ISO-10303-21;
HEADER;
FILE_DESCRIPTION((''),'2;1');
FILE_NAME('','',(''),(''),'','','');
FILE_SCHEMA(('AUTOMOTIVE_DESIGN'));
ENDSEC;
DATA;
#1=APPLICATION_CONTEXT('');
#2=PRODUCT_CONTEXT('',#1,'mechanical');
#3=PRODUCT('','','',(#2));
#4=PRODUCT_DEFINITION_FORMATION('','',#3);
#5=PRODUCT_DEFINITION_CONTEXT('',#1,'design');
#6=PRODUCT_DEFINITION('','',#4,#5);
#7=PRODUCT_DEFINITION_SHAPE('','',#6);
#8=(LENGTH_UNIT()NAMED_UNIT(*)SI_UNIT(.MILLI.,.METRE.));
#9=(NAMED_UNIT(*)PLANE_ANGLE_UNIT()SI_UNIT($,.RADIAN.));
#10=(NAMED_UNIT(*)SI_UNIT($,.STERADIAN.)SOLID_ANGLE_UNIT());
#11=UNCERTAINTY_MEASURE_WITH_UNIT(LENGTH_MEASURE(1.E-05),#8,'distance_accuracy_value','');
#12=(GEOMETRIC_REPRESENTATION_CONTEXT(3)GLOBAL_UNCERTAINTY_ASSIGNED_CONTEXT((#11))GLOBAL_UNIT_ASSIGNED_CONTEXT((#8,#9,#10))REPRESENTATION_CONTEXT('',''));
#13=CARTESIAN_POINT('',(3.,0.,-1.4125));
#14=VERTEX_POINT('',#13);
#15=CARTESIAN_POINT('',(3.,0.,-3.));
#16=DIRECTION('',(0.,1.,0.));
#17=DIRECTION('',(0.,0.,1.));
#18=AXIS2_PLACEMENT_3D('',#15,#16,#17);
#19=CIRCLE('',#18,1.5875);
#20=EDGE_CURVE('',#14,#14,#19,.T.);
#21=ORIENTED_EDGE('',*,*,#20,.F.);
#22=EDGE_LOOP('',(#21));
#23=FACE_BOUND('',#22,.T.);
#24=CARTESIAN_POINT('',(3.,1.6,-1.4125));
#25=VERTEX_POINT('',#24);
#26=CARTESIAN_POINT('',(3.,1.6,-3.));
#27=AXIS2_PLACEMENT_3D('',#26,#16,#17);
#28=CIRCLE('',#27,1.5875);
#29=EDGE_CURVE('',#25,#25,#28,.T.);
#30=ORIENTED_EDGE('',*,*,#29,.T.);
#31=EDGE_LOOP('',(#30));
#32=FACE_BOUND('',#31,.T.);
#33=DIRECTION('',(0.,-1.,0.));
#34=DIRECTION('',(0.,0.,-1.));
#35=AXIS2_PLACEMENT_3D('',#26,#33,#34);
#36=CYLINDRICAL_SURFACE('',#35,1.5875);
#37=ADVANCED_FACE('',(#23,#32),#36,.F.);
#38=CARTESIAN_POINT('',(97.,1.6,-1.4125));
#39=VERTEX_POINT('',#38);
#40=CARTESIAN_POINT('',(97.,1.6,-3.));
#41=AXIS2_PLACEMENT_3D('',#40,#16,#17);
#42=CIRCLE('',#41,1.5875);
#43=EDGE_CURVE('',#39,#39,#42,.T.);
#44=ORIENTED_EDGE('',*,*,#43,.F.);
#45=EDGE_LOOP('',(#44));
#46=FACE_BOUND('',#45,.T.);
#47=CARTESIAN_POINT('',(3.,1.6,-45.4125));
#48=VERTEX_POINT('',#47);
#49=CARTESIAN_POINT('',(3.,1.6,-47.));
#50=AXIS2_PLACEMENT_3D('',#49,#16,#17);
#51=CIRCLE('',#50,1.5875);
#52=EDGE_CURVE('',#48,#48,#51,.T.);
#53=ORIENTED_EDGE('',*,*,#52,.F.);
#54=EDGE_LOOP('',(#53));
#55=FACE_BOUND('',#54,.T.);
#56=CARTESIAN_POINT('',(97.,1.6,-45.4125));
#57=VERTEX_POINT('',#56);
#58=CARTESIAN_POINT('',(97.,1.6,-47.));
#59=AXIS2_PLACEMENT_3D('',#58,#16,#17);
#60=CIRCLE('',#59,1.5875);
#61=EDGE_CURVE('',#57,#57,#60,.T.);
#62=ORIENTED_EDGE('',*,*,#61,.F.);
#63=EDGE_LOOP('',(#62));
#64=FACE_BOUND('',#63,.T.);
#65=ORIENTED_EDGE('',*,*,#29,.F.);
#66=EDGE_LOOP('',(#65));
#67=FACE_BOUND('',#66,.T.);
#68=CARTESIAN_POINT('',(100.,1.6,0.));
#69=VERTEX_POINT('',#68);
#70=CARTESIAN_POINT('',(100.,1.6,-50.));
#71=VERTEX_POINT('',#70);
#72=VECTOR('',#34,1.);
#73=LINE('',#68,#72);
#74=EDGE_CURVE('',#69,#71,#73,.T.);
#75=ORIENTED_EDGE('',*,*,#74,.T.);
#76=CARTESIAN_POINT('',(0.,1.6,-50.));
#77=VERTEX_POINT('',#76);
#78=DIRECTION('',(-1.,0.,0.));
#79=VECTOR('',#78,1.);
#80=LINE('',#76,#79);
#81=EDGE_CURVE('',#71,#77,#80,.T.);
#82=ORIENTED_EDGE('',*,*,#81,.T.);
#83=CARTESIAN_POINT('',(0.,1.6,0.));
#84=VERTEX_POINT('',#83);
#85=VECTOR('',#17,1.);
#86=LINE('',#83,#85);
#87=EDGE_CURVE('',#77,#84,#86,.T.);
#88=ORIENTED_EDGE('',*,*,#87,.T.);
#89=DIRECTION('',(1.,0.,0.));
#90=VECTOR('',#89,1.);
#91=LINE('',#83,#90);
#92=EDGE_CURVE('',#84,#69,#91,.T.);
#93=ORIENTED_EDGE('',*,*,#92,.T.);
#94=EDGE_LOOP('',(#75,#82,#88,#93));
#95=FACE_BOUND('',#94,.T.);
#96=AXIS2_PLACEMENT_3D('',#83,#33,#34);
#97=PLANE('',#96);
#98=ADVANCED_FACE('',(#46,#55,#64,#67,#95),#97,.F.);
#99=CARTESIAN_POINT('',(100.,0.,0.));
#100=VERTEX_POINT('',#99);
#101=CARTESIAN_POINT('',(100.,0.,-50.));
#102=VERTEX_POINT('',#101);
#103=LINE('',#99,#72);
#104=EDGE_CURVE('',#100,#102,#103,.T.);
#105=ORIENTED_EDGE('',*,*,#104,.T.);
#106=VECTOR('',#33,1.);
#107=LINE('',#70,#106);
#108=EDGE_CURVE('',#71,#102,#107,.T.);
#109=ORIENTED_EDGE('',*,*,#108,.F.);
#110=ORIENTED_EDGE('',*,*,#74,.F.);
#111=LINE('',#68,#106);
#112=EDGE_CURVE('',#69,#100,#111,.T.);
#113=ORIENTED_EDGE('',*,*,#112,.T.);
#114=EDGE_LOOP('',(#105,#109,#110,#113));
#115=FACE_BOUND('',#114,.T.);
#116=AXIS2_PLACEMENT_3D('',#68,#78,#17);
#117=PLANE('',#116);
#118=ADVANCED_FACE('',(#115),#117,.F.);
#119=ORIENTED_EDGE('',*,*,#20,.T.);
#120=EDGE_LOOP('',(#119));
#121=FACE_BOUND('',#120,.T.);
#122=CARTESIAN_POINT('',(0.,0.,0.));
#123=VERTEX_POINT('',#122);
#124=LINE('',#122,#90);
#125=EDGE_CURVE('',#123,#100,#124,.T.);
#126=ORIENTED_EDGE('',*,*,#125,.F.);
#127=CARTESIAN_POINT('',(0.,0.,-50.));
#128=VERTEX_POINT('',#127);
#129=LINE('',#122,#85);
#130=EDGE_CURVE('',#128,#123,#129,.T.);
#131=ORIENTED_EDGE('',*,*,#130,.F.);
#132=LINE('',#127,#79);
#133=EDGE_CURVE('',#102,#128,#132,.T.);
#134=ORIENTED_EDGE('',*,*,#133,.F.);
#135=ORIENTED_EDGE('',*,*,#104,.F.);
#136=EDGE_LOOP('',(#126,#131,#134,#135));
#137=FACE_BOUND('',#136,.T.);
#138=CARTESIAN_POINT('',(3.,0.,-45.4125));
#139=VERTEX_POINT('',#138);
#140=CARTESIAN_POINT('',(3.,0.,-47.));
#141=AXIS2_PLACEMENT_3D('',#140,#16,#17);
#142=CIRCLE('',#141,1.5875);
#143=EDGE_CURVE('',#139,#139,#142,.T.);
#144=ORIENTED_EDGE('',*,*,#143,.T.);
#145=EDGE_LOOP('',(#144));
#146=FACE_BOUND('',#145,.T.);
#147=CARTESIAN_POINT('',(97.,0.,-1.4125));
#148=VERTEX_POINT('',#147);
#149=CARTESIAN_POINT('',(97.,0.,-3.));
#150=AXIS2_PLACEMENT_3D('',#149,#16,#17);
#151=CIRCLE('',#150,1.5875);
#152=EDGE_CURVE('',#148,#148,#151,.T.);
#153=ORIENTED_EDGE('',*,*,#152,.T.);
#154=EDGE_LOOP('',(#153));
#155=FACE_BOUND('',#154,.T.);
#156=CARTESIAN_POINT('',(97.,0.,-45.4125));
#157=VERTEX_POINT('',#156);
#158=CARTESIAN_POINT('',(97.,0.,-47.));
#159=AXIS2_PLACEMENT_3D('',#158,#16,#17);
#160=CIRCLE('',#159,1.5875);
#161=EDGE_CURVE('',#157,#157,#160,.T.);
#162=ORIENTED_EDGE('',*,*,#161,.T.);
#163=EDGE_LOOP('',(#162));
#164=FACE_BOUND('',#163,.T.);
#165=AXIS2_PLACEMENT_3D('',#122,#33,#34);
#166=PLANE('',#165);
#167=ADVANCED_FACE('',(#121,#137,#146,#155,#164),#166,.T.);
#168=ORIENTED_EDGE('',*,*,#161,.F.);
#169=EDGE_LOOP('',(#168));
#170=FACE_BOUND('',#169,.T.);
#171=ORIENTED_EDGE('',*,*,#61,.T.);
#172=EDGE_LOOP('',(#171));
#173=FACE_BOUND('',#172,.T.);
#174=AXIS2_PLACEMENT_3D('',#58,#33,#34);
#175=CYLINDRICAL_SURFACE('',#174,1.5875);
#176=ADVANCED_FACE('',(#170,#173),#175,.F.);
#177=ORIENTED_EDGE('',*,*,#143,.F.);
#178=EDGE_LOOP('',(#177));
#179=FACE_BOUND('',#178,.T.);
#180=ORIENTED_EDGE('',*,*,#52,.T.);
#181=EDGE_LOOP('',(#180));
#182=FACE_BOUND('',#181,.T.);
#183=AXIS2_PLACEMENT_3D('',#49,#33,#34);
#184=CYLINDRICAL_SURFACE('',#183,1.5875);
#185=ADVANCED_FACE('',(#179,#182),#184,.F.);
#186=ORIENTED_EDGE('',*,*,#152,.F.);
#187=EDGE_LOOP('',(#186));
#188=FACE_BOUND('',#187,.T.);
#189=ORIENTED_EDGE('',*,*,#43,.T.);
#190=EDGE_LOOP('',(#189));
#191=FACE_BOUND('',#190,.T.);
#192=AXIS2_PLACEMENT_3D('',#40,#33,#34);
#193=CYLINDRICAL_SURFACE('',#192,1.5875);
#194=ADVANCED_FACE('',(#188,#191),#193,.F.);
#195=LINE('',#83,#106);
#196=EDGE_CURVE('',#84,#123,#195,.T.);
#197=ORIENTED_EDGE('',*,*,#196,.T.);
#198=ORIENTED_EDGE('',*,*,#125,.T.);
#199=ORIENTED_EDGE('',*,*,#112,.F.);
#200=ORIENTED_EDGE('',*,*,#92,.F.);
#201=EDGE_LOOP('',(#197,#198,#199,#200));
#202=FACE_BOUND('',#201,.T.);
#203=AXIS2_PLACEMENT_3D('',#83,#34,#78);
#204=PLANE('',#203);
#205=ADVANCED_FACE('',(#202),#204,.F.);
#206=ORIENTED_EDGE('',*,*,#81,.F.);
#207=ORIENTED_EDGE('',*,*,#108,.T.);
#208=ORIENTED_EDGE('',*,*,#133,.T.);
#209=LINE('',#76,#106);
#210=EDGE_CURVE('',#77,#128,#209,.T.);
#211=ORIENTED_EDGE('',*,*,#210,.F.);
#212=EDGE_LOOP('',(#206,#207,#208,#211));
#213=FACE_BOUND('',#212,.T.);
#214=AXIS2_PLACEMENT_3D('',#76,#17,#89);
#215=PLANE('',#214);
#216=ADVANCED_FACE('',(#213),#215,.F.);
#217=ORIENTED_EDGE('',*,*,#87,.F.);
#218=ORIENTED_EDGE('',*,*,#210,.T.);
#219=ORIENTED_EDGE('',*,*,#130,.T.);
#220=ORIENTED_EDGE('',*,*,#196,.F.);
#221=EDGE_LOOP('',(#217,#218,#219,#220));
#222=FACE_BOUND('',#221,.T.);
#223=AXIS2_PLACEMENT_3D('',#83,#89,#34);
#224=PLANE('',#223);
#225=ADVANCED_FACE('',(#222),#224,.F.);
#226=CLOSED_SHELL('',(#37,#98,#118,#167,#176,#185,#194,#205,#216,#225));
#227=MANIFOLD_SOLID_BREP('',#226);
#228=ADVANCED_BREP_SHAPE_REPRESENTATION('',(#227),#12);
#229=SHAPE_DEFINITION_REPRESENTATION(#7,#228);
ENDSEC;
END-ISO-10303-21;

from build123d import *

# Parameters (mm, degrees)
SKETCH1_W           = 100
SKETCH1_H           = 50
SKETCH1_R           = 1.5875
BOSS_EXTRUDE1_DEPTH = 1.6


with BuildPart() as part:
    # Sketch1 → Boss-Extrude1 (new body)
    with BuildSketch(Plane(origin=(0, 0, 0), x_dir=(1, 0, 0), z_dir=(0, 1, 0))):
        with Locations((50, 25)):
            Rectangle(SKETCH1_W, SKETCH1_H)
        with Locations(Location((3, 47, 0), (0, 0, 270))):
            Circle(SKETCH1_R, mode=Mode.SUBTRACT)
        with Locations(Location((3, 3, 0), (0, 0, 270))):
            Circle(SKETCH1_R, mode=Mode.SUBTRACT)
        with Locations(Location((97, 3, 0), (0, 0, 270))):
            Circle(SKETCH1_R, mode=Mode.SUBTRACT)
        with Locations(Location((97, 47, 0), (0, 0, 270))):
            Circle(SKETCH1_R, mode=Mode.SUBTRACT)
    extrude(amount=BOSS_EXTRUDE1_DEPTH)


solid = part.part
